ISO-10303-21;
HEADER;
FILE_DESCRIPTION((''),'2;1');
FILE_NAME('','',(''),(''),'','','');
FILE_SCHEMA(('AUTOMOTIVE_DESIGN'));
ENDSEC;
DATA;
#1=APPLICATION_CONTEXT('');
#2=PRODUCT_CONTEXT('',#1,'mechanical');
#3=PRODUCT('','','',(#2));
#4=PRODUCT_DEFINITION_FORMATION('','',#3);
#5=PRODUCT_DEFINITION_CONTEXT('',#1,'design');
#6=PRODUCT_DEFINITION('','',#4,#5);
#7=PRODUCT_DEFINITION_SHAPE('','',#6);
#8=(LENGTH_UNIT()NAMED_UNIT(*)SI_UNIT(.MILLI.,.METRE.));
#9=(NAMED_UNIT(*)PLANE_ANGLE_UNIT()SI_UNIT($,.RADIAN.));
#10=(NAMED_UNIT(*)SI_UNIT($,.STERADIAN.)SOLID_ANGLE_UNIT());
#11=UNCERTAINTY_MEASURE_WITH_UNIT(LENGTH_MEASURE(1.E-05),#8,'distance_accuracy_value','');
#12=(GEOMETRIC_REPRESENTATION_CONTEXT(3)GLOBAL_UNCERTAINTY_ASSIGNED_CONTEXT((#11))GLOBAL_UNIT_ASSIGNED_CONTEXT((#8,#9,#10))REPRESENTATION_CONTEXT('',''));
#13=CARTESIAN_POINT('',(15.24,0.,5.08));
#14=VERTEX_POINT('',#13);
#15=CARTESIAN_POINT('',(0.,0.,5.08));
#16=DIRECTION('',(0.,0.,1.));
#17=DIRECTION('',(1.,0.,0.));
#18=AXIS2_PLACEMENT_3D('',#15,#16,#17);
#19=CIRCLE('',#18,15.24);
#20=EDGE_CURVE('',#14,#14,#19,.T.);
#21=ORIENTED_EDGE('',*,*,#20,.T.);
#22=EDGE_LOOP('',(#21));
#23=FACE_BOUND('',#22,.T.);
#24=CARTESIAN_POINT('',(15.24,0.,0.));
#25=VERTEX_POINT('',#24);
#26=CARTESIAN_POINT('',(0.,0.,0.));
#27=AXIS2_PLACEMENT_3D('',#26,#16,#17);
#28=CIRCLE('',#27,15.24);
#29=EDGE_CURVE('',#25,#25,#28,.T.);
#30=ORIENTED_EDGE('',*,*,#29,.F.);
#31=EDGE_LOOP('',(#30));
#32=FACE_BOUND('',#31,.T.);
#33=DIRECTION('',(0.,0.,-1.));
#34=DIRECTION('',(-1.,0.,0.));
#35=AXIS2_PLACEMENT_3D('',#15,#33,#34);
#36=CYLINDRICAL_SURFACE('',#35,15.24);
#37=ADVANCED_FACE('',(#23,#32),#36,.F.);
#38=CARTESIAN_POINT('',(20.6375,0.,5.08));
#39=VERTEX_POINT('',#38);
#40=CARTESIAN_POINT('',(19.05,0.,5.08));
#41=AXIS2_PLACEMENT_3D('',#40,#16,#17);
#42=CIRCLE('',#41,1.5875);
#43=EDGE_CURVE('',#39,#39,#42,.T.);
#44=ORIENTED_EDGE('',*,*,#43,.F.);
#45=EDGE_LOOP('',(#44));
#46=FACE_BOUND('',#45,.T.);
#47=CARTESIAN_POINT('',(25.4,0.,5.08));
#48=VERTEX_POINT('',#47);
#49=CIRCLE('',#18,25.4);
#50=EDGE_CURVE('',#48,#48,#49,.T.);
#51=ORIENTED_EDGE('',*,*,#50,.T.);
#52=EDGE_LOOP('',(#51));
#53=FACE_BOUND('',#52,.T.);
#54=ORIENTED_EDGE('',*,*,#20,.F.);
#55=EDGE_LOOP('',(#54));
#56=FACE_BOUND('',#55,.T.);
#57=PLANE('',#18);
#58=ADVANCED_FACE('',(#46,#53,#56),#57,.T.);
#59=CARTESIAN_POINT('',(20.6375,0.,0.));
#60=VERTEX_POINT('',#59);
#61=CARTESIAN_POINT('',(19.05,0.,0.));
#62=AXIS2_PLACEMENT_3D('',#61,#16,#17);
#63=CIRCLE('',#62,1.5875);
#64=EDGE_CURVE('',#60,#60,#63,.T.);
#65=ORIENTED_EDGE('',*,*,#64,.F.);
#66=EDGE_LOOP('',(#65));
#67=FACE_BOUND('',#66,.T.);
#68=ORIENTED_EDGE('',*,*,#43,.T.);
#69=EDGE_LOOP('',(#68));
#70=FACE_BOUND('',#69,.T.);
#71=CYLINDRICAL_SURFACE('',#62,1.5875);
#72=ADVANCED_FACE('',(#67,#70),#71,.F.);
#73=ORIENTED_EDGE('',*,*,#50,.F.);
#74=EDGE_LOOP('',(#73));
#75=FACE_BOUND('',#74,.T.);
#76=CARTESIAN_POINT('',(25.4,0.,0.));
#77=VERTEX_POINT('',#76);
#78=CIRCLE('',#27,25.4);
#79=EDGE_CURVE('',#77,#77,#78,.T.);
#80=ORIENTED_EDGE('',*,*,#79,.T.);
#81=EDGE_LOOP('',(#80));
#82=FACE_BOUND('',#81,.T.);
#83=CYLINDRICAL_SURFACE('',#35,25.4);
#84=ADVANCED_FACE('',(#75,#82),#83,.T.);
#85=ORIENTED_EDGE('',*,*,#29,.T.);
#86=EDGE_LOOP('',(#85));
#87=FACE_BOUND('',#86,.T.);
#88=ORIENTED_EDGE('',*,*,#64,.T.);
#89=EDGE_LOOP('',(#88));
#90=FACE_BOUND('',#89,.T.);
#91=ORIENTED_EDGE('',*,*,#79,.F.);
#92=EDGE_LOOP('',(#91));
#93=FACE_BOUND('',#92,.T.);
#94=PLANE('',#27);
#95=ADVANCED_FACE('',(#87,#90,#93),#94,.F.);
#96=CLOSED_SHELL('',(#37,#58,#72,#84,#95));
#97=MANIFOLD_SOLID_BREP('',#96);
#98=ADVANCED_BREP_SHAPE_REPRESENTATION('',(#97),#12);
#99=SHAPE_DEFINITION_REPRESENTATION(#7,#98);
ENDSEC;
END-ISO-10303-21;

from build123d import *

# Parameters (mm, degrees)
SKETCH1_R           = 25.4
SKETCH1_R_2         = 15.24
BOSS_EXTRUDE1_DEPTH = 5.08
SKETCH2_R           = 1.5875
CUT_EXTRUDE1_DEPTH  = 37.278456417


with BuildPart() as part:
    # Sketch1 → Boss-Extrude1 (new body)
    with BuildSketch(Plane.XY):
        Circle(SKETCH1_R)
        Circle(SKETCH1_R_2, mode=Mode.SUBTRACT)
    extrude(amount=BOSS_EXTRUDE1_DEPTH)

    # Sketch2 → Cut-Extrude1 (cut, through all)
    with BuildSketch(Plane.XY.offset(5.08)):
        with Locations((19.05, 0)):
            Circle(SKETCH2_R)
    extrude(amount=-CUT_EXTRUDE1_DEPTH, mode=Mode.SUBTRACT)


solid = part.part
